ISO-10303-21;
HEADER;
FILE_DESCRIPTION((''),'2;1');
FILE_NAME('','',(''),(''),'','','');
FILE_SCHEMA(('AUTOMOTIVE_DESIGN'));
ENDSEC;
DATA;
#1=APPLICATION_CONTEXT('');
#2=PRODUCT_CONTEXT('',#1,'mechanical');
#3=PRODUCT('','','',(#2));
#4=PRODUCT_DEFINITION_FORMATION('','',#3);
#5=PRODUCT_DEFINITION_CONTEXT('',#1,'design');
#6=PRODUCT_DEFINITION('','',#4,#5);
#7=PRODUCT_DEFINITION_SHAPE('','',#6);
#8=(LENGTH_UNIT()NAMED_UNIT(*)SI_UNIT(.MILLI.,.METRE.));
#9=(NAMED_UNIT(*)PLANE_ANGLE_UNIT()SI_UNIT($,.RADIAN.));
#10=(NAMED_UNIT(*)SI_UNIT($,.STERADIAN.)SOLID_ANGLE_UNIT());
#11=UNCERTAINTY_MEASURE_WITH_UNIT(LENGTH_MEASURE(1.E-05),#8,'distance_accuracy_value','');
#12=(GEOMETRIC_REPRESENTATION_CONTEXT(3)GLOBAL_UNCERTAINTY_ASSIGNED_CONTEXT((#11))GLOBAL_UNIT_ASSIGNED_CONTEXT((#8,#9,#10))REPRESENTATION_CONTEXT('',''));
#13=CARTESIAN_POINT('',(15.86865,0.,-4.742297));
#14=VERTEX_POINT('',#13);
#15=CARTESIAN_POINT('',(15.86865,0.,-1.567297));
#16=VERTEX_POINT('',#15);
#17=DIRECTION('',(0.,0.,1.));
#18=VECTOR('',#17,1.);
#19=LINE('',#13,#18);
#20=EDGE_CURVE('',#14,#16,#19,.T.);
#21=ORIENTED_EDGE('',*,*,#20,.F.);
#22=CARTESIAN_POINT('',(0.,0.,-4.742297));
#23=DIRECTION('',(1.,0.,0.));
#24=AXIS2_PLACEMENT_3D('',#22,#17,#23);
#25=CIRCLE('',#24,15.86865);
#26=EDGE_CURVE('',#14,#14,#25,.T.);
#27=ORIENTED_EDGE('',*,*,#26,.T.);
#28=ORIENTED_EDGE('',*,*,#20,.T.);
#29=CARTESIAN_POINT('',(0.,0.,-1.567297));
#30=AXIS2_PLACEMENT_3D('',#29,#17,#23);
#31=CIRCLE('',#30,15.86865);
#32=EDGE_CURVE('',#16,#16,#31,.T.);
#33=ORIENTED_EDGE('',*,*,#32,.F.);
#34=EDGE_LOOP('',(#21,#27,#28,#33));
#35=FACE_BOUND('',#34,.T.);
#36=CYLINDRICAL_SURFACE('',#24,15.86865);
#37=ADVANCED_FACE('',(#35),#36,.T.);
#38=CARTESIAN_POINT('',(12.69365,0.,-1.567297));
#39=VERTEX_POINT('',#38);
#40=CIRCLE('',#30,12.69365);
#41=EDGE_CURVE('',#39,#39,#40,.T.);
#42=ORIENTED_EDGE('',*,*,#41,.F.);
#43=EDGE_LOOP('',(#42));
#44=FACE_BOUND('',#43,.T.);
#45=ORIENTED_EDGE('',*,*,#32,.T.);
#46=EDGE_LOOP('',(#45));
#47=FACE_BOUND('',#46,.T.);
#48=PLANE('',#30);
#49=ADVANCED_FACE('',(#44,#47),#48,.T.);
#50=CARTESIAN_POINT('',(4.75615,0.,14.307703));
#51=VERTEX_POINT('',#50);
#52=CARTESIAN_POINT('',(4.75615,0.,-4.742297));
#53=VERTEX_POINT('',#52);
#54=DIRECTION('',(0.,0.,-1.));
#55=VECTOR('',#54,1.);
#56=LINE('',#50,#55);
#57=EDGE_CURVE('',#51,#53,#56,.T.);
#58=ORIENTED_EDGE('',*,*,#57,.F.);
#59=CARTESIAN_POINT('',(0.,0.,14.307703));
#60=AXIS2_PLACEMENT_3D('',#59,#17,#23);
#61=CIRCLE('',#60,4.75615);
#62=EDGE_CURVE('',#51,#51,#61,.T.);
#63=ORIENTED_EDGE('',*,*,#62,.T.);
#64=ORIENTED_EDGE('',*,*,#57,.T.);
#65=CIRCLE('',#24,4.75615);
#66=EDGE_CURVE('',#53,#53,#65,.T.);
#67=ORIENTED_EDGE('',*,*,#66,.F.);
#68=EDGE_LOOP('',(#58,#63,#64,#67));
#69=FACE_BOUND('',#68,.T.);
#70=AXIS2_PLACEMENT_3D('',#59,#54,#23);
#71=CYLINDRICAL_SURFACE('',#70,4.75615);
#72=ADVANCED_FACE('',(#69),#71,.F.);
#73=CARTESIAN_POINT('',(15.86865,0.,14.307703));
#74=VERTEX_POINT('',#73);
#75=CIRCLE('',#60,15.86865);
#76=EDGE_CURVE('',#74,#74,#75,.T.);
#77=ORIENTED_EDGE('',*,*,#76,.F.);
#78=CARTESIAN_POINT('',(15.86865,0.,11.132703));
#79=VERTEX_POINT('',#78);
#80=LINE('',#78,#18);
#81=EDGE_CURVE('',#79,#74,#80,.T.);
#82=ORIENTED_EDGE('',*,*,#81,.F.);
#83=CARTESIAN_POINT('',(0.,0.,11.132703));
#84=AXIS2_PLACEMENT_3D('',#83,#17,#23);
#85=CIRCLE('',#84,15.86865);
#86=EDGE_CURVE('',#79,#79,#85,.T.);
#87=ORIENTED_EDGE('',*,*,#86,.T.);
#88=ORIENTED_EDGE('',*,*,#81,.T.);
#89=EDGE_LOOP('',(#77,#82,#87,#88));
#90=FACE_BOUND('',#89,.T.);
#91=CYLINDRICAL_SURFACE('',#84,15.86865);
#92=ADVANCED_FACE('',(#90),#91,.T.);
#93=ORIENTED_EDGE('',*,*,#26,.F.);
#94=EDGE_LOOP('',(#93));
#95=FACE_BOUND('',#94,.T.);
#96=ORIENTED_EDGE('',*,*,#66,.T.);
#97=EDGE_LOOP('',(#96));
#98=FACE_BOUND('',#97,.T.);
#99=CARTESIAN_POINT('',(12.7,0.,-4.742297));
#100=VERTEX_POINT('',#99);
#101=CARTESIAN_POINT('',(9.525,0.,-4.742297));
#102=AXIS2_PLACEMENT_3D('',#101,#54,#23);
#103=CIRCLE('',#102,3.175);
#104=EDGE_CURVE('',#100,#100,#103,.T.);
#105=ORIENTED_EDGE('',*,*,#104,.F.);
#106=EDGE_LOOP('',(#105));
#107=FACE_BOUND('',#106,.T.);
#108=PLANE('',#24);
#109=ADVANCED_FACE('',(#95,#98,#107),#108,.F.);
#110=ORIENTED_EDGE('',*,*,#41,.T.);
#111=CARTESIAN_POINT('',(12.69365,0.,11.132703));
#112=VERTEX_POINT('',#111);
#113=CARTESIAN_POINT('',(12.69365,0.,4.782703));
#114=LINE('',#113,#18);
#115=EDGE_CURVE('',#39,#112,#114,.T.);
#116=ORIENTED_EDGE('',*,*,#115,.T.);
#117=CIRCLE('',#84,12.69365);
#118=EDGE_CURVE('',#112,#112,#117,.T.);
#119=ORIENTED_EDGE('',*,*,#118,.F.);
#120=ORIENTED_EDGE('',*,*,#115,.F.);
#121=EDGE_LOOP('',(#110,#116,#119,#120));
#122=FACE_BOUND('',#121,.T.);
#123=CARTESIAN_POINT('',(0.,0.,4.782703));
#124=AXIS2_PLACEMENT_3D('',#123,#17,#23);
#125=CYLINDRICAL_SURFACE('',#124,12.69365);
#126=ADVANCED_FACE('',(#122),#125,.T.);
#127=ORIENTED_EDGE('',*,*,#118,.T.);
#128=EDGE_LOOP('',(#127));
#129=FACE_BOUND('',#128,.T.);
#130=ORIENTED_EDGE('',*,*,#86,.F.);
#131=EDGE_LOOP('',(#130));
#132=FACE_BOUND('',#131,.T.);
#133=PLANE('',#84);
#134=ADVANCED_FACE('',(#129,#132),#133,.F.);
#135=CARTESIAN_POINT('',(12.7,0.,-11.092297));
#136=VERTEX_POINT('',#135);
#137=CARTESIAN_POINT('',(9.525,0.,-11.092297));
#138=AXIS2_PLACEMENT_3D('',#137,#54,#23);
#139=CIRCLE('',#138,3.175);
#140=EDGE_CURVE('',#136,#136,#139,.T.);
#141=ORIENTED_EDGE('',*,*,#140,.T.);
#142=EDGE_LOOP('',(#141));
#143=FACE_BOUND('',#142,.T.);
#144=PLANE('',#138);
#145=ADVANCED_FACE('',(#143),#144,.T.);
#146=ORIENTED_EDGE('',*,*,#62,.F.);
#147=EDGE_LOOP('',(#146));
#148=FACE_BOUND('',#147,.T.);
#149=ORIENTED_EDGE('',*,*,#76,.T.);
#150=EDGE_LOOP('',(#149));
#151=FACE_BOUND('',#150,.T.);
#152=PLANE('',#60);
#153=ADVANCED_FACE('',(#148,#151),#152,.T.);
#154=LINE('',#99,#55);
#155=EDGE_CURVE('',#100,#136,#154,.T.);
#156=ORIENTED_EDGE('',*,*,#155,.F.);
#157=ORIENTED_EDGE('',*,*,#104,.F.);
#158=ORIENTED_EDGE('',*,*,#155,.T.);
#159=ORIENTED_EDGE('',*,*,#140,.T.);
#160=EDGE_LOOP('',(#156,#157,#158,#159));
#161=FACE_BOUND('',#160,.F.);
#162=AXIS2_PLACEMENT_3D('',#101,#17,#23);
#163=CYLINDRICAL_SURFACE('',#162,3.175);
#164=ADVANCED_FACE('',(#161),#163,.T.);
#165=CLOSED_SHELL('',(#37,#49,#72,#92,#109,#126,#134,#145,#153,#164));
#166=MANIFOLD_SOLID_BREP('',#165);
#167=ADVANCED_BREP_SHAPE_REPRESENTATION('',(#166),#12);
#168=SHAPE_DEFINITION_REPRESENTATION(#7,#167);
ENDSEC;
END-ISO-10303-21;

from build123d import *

# Parameters (mm, degrees)
F0_W     = 7.9375
F0_H     = 12.7
F2_R     = 3.175
F3_DEPTH = 6.35


with BuildPart() as f1:
    # F0 (on Front) → F1 (revolve)
    with BuildSketch(Plane.XZ):
        Polygon((15.86865, 14.307703), (4.75615, 14.307703), (4.75615, 11.132703), (12.69365, 11.132703), (15.86865, 11.132703), align=None)
        with Locations((8.7249, 4.782703)):
            Rectangle(F0_W, F0_H)
        Polygon((4.75615, -1.567297), (4.75615, -4.742297), (15.86865, -4.742297), (15.86865, -1.567297), (12.69365, -1.567297), align=None)
    revolve(axis=Axis((0, 0, 4.782703), (0, 0, 1)))

    # F2 (on face) → F3 (join)
    with BuildSketch(Plane(origin=(0, 0, -4.742297), x_dir=(1, 0, 0), z_dir=(0, 0, -1))):
        with Locations((9.525, 0)):
            Circle(F2_R)
    extrude(amount=F3_DEPTH)


solid = f1.part
